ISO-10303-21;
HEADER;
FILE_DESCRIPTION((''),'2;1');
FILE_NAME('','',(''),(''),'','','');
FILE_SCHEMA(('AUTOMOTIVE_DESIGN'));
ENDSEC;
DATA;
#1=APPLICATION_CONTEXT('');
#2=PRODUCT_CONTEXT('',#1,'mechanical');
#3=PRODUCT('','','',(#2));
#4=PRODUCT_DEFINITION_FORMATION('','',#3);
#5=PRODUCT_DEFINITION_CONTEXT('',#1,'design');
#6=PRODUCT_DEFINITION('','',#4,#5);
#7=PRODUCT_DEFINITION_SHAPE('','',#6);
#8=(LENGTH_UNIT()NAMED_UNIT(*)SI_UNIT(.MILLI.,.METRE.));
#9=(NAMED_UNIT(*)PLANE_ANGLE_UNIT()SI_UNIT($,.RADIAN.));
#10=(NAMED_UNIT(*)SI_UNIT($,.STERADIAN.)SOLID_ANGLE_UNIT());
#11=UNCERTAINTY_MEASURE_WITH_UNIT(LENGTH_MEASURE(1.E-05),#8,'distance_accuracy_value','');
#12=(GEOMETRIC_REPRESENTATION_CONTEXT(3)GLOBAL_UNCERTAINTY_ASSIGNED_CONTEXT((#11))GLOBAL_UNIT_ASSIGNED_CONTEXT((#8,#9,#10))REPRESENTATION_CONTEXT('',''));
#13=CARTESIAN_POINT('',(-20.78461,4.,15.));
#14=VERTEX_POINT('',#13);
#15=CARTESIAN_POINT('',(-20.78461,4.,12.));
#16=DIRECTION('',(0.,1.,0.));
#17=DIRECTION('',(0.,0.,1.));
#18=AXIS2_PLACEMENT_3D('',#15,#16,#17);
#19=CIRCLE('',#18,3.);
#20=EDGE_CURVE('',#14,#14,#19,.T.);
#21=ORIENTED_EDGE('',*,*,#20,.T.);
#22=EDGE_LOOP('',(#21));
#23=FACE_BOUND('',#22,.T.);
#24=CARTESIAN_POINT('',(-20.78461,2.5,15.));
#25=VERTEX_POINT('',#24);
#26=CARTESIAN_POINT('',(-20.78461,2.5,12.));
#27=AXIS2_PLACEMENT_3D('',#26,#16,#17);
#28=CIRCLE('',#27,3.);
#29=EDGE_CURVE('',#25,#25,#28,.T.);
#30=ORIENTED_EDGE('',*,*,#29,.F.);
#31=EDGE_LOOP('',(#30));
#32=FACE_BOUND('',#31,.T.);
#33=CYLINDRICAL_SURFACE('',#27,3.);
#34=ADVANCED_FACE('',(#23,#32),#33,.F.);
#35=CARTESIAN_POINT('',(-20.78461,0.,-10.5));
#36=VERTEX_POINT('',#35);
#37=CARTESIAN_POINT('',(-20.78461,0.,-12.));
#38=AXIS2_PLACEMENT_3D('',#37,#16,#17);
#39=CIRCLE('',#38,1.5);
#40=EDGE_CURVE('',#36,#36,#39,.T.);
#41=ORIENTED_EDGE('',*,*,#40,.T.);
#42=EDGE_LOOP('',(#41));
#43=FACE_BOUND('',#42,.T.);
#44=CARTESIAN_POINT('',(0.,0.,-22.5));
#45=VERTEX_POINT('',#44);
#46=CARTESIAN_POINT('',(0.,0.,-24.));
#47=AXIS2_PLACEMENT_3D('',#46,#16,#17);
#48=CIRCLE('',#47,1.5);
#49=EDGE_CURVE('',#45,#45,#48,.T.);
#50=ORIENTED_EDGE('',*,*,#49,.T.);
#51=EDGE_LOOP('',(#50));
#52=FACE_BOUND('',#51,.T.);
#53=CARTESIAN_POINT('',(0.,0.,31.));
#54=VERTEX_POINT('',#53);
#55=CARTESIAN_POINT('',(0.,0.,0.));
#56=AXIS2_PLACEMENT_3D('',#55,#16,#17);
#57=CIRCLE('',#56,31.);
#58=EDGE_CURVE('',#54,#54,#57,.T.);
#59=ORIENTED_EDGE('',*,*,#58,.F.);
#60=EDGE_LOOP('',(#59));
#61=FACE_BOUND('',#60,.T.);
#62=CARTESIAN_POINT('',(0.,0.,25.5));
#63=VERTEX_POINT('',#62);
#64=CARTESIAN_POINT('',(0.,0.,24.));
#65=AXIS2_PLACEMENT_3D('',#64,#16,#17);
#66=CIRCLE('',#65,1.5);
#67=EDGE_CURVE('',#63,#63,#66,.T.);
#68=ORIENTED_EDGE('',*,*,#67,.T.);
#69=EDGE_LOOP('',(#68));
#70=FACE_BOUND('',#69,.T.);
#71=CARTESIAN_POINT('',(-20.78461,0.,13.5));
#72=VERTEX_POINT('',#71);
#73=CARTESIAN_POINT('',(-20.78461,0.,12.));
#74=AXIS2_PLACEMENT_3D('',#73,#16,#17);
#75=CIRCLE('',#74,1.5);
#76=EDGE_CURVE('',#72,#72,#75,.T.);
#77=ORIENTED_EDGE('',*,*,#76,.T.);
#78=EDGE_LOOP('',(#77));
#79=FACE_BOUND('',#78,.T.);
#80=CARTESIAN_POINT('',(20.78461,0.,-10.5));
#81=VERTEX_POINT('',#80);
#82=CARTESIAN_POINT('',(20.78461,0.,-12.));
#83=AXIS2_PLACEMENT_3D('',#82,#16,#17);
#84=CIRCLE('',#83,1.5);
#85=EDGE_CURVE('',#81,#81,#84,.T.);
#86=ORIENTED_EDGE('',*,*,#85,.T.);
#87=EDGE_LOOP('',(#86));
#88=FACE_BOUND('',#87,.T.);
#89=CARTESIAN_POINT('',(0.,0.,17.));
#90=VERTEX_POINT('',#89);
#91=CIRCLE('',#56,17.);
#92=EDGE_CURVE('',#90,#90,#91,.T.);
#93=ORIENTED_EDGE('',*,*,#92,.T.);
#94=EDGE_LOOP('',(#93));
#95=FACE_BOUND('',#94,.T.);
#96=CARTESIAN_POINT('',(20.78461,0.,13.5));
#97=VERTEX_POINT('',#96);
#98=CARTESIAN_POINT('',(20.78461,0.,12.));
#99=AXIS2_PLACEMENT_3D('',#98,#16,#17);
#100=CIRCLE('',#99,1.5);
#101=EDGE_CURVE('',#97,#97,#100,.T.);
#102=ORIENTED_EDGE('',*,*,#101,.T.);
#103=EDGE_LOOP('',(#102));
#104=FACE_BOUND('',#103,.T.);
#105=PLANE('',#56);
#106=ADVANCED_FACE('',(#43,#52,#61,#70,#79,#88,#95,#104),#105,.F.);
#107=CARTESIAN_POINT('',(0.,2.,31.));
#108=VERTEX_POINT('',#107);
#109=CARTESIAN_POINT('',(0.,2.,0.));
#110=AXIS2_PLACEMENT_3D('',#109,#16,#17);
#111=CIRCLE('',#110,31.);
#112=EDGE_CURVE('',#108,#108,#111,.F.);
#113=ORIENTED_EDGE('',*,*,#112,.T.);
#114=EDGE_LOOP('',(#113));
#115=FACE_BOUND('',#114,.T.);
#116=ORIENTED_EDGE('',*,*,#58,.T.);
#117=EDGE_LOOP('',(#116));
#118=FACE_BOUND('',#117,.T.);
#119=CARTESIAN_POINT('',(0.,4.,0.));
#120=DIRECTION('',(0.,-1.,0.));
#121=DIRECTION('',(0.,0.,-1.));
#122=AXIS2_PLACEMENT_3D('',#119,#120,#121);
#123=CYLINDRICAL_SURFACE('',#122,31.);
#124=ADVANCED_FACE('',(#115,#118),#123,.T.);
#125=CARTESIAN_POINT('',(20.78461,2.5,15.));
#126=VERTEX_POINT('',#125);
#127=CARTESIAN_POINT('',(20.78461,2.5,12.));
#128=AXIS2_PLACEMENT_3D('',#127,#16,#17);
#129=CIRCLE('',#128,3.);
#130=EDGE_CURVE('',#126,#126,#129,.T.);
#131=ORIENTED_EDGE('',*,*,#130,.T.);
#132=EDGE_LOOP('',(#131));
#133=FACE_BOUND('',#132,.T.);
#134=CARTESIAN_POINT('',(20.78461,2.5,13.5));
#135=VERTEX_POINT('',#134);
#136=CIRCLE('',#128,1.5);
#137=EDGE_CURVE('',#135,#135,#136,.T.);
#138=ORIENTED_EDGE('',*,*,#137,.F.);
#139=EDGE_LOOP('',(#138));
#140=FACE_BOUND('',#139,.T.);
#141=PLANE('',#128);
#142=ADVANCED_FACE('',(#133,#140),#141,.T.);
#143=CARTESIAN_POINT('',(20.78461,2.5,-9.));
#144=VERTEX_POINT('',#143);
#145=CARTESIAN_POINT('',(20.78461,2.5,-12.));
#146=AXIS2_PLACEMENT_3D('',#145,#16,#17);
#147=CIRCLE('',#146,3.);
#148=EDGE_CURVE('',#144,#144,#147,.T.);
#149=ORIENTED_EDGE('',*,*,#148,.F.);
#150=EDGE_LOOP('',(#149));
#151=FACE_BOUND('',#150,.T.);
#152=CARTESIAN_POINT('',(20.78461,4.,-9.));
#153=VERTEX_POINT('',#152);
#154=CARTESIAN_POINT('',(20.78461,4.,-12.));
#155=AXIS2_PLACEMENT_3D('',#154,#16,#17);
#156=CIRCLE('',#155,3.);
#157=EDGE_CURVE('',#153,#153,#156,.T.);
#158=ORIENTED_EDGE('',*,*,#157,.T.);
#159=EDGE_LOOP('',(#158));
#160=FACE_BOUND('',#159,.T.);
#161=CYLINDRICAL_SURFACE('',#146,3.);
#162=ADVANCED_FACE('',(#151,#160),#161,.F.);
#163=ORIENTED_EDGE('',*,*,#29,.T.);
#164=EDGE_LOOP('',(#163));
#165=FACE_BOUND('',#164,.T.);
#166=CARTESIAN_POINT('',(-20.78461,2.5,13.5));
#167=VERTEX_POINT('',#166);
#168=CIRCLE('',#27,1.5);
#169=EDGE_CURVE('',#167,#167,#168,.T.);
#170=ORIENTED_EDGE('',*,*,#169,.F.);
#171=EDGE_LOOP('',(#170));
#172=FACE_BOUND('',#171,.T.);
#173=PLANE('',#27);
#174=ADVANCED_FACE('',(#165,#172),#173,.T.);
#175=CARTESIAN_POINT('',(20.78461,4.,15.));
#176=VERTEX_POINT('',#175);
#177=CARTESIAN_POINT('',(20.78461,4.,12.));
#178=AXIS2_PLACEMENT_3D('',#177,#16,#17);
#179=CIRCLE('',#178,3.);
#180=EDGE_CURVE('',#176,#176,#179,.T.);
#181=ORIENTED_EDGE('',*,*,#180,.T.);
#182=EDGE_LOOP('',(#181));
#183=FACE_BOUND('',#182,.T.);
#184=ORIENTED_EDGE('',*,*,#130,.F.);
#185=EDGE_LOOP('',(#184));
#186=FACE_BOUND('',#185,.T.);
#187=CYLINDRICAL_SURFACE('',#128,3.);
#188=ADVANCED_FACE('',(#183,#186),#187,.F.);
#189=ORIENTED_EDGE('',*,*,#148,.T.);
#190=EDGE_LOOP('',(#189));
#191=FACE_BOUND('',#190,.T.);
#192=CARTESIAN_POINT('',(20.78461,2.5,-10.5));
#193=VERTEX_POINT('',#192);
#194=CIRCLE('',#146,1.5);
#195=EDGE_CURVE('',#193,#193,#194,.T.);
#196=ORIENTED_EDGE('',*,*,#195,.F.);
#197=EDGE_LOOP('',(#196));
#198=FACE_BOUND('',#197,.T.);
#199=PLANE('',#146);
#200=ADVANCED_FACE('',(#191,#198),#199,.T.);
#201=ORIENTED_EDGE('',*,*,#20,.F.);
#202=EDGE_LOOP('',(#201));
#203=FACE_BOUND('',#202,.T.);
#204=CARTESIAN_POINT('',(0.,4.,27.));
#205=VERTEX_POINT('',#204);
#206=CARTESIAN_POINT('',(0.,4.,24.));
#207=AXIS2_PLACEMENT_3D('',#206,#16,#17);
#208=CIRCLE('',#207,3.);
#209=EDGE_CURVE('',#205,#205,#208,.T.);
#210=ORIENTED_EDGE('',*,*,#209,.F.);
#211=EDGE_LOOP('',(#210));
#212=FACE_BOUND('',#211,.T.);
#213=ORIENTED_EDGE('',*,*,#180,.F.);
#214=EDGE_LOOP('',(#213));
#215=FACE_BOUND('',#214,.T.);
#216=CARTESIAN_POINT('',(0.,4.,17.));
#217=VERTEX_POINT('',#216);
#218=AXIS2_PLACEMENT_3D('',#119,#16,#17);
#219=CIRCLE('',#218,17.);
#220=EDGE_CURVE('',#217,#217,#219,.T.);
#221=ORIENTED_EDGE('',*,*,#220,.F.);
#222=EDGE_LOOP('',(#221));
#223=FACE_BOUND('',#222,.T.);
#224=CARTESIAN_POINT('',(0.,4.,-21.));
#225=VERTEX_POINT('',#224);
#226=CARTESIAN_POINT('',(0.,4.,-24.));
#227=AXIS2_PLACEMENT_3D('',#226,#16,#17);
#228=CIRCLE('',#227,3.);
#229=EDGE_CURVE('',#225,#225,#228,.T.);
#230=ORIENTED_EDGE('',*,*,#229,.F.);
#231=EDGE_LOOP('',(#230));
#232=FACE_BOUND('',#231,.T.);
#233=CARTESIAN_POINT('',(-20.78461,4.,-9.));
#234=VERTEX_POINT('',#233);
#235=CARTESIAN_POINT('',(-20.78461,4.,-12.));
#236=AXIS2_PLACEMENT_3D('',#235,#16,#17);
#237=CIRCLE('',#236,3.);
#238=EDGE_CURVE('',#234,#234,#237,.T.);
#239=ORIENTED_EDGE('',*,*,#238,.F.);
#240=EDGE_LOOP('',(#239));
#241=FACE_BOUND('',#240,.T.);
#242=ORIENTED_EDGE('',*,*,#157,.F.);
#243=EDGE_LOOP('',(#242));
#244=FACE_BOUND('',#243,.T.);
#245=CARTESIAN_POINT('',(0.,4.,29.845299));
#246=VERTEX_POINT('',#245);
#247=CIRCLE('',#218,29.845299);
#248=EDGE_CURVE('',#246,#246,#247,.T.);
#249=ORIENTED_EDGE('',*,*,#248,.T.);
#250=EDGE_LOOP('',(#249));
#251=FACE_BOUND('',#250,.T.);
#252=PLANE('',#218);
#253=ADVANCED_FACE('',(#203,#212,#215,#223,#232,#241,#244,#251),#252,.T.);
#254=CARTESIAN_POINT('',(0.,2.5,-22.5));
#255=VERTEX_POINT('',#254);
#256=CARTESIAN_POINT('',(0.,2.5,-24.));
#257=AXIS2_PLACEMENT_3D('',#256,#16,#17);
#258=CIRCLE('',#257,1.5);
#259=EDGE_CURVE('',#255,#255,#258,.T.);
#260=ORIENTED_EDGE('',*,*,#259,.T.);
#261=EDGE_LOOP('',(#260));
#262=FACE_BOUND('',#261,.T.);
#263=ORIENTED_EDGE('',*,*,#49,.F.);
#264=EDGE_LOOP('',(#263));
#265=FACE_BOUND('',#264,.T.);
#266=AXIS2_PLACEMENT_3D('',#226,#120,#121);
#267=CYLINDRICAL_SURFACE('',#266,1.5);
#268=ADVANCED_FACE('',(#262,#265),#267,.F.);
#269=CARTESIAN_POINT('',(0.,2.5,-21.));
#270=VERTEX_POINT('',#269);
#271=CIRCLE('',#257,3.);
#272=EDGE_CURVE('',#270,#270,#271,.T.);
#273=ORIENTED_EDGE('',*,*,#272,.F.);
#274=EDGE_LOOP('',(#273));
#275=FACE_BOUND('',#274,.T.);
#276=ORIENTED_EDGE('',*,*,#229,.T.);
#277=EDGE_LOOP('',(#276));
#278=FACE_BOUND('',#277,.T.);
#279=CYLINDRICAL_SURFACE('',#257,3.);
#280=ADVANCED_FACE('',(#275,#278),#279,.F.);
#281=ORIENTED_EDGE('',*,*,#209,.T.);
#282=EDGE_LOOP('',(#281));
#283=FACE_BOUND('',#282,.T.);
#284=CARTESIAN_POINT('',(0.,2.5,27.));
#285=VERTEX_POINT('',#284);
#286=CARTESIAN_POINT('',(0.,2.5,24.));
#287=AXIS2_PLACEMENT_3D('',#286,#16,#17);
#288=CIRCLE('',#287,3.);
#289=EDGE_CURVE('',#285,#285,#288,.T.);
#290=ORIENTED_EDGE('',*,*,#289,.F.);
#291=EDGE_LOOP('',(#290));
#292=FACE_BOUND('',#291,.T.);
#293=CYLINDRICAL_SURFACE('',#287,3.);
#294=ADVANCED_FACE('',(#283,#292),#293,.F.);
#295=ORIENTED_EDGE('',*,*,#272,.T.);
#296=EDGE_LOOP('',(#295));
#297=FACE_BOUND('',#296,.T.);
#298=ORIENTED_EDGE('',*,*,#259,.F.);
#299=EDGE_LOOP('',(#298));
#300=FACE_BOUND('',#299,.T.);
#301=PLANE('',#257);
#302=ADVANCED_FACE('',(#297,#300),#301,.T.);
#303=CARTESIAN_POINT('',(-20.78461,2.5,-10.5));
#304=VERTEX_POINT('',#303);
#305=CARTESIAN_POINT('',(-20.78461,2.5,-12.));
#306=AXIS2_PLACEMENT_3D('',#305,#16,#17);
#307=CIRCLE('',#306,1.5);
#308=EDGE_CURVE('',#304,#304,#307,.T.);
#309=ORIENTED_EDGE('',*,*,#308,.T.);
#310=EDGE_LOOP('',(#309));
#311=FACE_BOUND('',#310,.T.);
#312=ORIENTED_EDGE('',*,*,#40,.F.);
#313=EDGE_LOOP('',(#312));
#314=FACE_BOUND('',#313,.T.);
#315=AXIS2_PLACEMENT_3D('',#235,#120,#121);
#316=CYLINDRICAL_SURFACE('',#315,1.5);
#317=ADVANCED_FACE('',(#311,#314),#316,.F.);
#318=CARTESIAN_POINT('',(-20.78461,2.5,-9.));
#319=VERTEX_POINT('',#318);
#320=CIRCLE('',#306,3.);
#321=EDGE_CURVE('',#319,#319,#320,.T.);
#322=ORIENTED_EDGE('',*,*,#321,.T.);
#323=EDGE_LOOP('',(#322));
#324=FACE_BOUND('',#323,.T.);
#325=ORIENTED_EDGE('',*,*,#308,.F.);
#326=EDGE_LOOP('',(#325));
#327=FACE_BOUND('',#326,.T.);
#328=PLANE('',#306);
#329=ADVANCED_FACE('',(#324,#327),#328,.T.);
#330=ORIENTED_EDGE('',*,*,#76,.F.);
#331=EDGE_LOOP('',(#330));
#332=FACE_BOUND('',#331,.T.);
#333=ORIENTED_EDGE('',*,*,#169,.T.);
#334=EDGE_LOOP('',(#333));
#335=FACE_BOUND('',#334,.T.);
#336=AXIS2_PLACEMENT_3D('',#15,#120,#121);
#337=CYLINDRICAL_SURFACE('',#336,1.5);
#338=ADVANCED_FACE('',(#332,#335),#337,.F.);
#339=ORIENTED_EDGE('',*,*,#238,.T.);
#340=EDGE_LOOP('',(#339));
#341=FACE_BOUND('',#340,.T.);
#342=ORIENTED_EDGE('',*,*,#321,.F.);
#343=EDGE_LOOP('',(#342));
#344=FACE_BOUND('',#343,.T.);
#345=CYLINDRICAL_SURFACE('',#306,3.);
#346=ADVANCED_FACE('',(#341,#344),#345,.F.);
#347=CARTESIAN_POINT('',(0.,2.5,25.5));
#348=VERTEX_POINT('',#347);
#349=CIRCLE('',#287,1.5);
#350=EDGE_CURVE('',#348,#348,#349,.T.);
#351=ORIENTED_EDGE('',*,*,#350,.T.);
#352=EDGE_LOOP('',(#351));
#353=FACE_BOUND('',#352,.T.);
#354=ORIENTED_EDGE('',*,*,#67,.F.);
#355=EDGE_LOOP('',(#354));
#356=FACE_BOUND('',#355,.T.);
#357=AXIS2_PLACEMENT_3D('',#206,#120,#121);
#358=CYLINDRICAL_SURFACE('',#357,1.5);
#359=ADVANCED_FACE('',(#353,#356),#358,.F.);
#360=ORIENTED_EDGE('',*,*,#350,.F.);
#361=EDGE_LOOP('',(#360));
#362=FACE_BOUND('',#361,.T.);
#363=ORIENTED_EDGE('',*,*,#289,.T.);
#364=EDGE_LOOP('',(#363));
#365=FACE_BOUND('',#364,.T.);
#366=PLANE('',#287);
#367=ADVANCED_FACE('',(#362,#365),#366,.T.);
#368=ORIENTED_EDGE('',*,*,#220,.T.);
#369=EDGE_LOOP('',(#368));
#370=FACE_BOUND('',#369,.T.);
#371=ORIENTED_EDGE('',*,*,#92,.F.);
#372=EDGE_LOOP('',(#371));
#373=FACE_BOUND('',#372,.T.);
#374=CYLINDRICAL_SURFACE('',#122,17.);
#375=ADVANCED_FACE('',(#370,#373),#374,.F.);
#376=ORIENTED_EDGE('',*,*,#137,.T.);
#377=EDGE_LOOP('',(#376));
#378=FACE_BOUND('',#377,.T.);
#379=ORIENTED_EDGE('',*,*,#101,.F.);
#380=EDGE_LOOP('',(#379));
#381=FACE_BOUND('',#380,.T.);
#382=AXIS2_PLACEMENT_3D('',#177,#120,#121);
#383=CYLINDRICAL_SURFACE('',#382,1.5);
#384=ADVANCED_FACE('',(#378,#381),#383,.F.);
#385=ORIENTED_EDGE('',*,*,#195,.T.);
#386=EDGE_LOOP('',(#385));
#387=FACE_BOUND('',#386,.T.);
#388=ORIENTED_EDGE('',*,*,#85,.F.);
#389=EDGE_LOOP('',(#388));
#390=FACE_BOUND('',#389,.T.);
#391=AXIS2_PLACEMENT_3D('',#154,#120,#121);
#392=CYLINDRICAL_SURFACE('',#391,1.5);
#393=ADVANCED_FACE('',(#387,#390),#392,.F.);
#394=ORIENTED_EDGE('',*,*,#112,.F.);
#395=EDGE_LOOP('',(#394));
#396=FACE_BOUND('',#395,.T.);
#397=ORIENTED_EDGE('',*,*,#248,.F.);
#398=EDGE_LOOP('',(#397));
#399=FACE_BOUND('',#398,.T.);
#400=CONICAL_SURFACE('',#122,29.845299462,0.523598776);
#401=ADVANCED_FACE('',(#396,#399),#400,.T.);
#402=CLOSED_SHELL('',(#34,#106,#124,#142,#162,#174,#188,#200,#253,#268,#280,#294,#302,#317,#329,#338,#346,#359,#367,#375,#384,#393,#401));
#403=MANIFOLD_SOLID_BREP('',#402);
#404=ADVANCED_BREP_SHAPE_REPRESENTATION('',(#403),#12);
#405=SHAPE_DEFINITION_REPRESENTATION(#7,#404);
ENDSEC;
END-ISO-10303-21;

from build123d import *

# Parameters (mm, degrees)
SKETCH1_R           = 31
SKETCH1_R_2         = 17
SKETCH1_R_3         = 1.5
BOSS_EXTRUDE1_DEPTH = 4
SKETCH2_R           = 3
CUT_EXTRUDE1_DEPTH  = 1.5
CHAMFER1_SIZE       = 2
CHAMFER1_SIZE2      = 1.154700538


with BuildPart() as part:
    # Sketch1 → Boss-Extrude1 (new body)
    with BuildSketch(Plane(origin=(0, 0, 0), x_dir=(1, 0, 0), z_dir=(0, 1, 0))):
        Circle(SKETCH1_R)
        Circle(SKETCH1_R_2, mode=Mode.SUBTRACT)
        with Locations((0, 24)):
            Circle(SKETCH1_R_3, mode=Mode.SUBTRACT)
        with Locations((20.784609691, 12)):
            Circle(SKETCH1_R_3, mode=Mode.SUBTRACT)
        with Locations((20.784609691, -12)):
            Circle(SKETCH1_R_3, mode=Mode.SUBTRACT)
        with Locations((0, -24)):
            Circle(SKETCH1_R_3, mode=Mode.SUBTRACT)
        with Locations((-20.784609691, -12)):
            Circle(SKETCH1_R_3, mode=Mode.SUBTRACT)
        with Locations((-20.784609691, 12)):
            Circle(SKETCH1_R_3, mode=Mode.SUBTRACT)
    extrude(amount=BOSS_EXTRUDE1_DEPTH)

    # Sketch2 → Cut-Extrude1 (cut)
    with BuildSketch(Plane(origin=(0, 4, 0), x_dir=(1, 0, 0), z_dir=(0, 1, 0))):
        with Locations((0, 24)):
            Circle(SKETCH2_R)
        with Locations((20.784609691, 12)):
            Circle(SKETCH2_R)
        with Locations((20.784609691, -12)):
            Circle(SKETCH2_R)
        with Locations((0, -24)):
            Circle(SKETCH2_R)
        with Locations((-20.784609691, -12)):
            Circle(SKETCH2_R)
        with Locations((-20.784609691, 12)):
            Circle(SKETCH2_R)
    extrude(amount=-CUT_EXTRUDE1_DEPTH, mode=Mode.SUBTRACT)

    # Chamfer1
    chamfer1_edges = [part.edges().sort_by_distance(p)[0] for p in [
        (-31, 4, 0),
    ]]
    chamfer1_side = [part.faces().sort_by_distance(p)[0] for p in [
        (-31, 2, 0),
    ]]
    chamfer(chamfer1_edges, length=CHAMFER1_SIZE, length2=CHAMFER1_SIZE2, reference=chamfer1_side[0])


solid = part.part
